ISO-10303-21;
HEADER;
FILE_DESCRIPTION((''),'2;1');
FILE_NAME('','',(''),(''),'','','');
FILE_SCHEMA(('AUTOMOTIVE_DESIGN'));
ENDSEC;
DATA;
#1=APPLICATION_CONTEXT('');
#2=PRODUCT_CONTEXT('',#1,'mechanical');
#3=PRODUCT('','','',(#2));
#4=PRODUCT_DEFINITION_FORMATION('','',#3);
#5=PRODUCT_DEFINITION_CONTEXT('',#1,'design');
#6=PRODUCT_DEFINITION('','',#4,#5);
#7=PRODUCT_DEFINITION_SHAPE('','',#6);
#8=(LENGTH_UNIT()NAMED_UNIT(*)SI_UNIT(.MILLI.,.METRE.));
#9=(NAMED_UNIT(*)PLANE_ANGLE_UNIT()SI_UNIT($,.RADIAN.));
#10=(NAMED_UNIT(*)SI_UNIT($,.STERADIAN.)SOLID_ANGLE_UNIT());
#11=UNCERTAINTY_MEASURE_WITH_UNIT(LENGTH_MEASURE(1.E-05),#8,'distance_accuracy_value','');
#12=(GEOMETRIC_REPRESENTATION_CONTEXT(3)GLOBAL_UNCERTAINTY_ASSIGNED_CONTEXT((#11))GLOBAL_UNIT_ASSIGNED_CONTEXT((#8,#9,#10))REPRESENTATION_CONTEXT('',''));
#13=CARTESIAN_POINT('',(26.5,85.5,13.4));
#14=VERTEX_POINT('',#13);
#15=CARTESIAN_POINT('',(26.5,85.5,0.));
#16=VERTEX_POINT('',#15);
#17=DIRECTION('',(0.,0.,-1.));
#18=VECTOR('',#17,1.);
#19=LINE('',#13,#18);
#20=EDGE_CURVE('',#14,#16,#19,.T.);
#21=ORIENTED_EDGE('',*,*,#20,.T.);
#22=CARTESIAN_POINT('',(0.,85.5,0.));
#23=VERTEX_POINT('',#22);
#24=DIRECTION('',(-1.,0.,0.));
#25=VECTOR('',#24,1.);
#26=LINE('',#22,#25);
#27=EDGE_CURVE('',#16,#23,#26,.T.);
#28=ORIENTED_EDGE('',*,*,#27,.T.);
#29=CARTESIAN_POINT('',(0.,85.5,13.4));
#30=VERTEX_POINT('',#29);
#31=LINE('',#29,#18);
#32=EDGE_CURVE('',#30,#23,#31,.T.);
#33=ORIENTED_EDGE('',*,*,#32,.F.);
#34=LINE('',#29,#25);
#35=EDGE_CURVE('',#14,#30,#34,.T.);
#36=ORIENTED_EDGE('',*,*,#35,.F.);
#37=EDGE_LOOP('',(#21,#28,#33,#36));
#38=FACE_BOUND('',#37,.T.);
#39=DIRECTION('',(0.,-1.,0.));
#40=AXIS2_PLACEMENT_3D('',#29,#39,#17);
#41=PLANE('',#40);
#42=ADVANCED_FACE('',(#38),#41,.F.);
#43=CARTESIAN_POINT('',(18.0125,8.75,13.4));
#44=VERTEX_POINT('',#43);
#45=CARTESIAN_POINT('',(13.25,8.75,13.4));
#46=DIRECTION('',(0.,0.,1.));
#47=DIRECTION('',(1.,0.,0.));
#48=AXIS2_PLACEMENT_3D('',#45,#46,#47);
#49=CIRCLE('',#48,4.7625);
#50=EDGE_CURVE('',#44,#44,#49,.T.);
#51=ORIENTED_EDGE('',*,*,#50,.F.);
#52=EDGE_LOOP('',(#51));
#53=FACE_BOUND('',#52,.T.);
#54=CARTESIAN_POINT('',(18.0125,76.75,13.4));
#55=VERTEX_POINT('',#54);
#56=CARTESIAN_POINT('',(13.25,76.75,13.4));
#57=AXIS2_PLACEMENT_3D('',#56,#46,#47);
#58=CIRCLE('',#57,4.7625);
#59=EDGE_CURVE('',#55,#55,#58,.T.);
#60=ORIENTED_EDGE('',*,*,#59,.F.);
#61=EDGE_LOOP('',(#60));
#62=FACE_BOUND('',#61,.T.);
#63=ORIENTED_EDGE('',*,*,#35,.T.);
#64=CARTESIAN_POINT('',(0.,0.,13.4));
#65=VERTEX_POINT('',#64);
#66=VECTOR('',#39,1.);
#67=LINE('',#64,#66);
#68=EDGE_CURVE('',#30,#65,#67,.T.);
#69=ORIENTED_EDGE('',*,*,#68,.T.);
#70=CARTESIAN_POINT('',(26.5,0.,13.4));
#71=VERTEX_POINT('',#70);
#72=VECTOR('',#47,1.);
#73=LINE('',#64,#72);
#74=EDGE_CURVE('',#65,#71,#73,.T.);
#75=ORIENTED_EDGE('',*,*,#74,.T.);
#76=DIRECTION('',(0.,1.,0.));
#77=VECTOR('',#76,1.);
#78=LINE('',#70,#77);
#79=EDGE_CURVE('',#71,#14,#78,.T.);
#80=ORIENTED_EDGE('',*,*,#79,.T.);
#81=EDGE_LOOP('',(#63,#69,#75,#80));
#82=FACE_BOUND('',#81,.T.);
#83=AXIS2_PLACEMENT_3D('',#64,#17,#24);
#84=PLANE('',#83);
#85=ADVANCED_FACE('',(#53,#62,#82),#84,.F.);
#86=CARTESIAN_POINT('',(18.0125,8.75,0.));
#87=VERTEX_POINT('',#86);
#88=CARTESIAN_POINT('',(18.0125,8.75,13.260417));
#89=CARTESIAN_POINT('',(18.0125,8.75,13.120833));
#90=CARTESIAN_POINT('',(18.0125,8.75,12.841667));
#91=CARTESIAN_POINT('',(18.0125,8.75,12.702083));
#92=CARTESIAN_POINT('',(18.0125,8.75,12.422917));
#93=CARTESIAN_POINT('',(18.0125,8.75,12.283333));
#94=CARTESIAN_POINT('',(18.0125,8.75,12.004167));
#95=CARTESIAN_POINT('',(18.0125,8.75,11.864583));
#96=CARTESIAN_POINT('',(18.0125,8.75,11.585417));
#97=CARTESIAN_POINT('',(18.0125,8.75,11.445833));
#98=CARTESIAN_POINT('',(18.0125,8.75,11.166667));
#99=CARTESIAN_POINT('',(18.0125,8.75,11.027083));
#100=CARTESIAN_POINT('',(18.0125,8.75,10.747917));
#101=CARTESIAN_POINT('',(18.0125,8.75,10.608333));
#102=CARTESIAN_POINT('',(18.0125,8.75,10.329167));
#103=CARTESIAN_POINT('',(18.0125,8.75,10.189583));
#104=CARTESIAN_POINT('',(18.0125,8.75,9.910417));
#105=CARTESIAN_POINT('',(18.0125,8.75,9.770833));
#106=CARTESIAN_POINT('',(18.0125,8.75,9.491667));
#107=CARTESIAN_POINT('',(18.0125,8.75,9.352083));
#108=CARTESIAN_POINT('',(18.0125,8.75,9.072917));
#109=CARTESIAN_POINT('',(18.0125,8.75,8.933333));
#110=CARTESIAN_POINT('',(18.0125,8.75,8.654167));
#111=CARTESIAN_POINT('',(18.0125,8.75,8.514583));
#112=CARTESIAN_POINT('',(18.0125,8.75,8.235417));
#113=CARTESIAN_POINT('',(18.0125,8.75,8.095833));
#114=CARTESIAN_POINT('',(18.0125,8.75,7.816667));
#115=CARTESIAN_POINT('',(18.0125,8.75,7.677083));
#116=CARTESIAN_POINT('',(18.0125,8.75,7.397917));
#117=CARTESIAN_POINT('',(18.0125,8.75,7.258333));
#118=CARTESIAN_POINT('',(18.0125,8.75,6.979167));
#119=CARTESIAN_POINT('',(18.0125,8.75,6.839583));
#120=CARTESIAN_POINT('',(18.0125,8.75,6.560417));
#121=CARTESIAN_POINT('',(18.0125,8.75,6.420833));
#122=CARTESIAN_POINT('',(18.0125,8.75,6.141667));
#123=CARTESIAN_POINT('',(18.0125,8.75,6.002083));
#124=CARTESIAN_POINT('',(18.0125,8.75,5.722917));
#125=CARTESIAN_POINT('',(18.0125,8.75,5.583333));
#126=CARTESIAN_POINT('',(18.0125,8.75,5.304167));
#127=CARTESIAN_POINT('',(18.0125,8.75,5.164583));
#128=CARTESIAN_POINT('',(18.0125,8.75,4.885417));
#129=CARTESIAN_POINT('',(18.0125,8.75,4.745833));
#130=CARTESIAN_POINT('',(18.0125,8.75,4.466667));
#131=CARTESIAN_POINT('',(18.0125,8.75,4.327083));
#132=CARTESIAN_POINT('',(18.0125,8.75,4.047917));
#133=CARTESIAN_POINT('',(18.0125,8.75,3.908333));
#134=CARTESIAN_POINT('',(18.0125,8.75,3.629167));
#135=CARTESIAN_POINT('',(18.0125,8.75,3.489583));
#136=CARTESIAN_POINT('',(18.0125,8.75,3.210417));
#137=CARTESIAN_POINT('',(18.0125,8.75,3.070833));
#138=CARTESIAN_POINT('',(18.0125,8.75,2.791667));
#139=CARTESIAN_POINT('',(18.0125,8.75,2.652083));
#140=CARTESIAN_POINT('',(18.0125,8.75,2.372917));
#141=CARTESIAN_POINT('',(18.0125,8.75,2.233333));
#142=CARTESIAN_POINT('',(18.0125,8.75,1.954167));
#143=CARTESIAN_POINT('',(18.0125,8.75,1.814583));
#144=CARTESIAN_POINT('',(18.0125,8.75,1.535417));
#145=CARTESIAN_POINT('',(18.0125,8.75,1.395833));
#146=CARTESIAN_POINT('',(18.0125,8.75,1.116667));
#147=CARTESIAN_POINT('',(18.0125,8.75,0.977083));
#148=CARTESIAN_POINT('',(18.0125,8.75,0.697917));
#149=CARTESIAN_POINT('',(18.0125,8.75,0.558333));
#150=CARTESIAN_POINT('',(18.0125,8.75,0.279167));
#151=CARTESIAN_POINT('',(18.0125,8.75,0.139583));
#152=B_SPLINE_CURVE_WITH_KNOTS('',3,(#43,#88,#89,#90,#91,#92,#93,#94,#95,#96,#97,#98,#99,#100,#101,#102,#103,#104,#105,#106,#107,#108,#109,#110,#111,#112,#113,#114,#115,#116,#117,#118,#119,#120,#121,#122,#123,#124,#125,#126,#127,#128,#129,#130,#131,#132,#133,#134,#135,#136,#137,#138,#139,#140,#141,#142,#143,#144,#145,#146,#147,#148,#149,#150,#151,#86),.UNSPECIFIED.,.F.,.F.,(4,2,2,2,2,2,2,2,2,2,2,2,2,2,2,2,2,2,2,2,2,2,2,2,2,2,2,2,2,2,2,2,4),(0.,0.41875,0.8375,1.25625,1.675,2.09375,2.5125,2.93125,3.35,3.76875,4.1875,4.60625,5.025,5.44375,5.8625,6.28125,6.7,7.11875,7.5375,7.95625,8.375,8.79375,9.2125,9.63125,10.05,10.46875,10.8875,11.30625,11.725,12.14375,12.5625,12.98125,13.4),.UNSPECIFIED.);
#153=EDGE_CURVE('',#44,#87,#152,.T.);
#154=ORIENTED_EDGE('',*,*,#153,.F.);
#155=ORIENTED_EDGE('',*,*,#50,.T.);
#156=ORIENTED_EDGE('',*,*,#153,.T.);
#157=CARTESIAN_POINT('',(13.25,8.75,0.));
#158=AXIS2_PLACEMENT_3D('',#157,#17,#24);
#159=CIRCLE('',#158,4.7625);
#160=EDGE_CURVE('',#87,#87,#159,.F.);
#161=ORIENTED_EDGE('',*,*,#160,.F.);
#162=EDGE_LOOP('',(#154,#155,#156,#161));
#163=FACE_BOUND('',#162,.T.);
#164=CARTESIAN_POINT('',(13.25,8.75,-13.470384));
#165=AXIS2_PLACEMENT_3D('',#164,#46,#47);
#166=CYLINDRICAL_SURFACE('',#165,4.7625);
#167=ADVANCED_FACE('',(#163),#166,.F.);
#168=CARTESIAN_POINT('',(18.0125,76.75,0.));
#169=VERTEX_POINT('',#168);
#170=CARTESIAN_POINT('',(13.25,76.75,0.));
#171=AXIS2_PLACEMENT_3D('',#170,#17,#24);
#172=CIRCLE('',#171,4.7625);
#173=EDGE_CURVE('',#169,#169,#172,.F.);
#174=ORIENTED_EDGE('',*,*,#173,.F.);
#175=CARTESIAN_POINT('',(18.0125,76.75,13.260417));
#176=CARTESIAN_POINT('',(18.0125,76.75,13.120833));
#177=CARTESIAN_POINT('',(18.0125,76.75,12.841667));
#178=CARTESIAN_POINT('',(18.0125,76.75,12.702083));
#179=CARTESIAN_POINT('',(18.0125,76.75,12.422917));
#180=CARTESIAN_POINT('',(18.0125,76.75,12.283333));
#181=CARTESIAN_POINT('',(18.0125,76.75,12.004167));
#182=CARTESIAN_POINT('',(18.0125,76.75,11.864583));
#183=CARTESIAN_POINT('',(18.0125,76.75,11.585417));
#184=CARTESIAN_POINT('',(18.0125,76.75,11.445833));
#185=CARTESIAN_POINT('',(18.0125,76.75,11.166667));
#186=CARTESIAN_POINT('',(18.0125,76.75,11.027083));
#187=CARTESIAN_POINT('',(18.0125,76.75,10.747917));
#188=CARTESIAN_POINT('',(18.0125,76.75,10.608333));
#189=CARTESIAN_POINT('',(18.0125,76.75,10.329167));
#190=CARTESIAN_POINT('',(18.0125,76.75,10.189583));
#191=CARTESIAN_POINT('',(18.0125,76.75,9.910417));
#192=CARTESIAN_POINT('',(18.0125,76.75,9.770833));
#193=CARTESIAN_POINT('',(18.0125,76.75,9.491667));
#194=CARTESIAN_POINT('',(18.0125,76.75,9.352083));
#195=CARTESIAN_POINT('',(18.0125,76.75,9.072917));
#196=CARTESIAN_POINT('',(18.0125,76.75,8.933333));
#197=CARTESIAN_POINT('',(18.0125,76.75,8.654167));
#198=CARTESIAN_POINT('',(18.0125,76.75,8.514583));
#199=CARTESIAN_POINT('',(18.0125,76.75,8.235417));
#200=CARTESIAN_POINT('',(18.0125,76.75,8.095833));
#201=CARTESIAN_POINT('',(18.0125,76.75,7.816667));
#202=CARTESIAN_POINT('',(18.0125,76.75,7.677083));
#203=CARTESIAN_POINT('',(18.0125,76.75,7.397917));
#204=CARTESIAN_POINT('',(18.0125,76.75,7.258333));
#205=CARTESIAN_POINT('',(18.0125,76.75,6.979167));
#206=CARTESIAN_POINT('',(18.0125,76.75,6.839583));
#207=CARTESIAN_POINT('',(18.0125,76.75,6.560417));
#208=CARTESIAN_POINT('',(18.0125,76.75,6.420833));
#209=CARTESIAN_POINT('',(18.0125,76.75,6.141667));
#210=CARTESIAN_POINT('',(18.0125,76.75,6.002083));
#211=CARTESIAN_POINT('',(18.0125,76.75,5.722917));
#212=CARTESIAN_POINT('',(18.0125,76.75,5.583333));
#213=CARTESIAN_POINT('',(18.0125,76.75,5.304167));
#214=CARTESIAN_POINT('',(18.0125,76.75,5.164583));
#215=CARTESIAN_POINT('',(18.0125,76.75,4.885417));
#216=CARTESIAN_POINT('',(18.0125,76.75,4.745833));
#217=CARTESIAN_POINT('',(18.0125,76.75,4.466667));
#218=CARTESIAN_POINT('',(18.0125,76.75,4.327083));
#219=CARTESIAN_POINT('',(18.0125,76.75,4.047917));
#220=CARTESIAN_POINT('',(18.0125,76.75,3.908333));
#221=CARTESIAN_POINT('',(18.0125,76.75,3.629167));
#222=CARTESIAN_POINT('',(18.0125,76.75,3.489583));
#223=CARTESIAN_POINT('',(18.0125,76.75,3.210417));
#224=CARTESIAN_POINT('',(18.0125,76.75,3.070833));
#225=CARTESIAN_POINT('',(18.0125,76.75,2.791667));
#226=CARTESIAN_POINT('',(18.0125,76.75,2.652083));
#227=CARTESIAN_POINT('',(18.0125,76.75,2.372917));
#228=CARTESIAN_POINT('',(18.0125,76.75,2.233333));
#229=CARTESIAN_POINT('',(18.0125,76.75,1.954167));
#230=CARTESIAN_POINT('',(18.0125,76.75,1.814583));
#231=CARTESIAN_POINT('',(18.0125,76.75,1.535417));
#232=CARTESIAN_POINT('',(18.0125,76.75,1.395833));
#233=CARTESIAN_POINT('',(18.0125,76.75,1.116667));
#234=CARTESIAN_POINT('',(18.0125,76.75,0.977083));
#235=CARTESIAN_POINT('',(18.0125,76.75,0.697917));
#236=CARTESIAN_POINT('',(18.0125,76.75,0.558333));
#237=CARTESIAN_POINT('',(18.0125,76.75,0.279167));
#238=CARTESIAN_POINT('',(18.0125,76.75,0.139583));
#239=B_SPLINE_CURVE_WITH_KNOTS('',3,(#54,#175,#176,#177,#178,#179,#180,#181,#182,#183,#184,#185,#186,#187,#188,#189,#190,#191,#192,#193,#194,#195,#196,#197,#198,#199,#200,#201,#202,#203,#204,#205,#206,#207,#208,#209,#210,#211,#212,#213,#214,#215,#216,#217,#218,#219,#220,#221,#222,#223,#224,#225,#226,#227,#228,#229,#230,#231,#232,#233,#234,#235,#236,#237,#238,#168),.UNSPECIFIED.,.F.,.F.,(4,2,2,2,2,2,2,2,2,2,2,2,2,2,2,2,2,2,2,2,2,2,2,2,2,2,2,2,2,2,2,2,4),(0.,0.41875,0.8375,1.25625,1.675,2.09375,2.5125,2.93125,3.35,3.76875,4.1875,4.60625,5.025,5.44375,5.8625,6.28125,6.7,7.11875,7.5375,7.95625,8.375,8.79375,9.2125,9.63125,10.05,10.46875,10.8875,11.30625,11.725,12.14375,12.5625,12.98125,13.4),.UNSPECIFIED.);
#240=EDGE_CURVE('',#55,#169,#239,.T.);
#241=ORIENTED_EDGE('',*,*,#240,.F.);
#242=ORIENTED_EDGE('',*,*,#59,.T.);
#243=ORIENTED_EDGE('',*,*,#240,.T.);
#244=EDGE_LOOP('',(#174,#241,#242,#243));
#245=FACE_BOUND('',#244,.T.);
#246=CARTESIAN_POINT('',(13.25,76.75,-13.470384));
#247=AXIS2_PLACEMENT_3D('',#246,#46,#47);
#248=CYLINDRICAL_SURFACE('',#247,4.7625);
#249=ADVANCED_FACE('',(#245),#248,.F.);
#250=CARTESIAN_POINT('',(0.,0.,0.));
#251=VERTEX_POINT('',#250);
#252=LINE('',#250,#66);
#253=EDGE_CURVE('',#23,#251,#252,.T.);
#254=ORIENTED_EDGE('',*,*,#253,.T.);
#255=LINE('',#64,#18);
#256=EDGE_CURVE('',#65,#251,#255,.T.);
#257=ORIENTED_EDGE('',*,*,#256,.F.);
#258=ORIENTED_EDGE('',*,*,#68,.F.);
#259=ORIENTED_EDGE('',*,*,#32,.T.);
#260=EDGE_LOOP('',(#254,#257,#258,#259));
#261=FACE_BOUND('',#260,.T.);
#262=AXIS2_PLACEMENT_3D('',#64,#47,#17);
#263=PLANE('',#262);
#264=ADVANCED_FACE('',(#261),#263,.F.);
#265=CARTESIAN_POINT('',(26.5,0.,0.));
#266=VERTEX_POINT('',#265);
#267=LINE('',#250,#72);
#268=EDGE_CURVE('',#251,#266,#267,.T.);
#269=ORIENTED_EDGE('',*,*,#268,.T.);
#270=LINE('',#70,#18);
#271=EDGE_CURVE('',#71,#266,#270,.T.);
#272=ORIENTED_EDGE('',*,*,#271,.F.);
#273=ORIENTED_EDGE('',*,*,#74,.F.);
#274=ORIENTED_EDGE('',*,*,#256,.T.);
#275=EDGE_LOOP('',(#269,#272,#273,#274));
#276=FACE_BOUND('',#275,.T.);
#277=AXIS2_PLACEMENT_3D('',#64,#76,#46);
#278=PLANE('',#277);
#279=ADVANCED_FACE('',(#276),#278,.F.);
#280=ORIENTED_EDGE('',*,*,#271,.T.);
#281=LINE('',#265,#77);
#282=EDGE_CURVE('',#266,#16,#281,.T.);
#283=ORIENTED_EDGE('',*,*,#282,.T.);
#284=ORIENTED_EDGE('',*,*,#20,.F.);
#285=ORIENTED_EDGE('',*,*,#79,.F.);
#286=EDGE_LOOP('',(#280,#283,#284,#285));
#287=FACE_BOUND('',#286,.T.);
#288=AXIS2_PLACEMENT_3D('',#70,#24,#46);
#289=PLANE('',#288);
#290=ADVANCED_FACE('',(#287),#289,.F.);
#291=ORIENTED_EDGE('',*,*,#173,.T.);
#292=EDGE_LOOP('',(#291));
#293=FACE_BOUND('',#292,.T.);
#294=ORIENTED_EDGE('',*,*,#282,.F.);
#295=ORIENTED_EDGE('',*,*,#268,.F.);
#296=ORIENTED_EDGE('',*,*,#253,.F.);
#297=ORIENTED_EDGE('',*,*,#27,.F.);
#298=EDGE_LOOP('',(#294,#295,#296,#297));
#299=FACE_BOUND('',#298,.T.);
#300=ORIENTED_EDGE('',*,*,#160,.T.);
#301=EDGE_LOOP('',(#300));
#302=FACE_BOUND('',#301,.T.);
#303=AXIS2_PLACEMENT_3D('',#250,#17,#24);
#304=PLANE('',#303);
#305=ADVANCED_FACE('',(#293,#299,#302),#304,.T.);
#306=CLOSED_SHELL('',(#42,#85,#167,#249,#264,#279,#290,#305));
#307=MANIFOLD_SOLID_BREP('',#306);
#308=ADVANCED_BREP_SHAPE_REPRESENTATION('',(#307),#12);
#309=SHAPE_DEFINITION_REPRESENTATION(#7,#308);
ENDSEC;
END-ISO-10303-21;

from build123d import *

# Parameters (mm, degrees)
SKETCH1_W           = 26.5
SKETCH1_H           = 85.5
BOSS_EXTRUDE1_DEPTH = 13.4
SKETCH2_R           = 4.7625
CUT_EXTRUDE1_DEPTH  = 13.4


with BuildPart() as part:
    # Sketch1 → Boss-Extrude1 (new body)
    with BuildSketch(Plane.XY):
        with Locations((13.25, 42.75)):
            Rectangle(SKETCH1_W, SKETCH1_H)
    extrude(amount=BOSS_EXTRUDE1_DEPTH)

    # Sketch2 → Cut-Extrude1 (cut)
    with BuildSketch(Plane.XY.offset(13.4)):
        with Locations((13.25, 8.75)):
            Circle(SKETCH2_R)
        with Locations((13.25, 76.75)):
            Circle(SKETCH2_R)
    extrude(amount=-CUT_EXTRUDE1_DEPTH, mode=Mode.SUBTRACT)


solid = part.part
